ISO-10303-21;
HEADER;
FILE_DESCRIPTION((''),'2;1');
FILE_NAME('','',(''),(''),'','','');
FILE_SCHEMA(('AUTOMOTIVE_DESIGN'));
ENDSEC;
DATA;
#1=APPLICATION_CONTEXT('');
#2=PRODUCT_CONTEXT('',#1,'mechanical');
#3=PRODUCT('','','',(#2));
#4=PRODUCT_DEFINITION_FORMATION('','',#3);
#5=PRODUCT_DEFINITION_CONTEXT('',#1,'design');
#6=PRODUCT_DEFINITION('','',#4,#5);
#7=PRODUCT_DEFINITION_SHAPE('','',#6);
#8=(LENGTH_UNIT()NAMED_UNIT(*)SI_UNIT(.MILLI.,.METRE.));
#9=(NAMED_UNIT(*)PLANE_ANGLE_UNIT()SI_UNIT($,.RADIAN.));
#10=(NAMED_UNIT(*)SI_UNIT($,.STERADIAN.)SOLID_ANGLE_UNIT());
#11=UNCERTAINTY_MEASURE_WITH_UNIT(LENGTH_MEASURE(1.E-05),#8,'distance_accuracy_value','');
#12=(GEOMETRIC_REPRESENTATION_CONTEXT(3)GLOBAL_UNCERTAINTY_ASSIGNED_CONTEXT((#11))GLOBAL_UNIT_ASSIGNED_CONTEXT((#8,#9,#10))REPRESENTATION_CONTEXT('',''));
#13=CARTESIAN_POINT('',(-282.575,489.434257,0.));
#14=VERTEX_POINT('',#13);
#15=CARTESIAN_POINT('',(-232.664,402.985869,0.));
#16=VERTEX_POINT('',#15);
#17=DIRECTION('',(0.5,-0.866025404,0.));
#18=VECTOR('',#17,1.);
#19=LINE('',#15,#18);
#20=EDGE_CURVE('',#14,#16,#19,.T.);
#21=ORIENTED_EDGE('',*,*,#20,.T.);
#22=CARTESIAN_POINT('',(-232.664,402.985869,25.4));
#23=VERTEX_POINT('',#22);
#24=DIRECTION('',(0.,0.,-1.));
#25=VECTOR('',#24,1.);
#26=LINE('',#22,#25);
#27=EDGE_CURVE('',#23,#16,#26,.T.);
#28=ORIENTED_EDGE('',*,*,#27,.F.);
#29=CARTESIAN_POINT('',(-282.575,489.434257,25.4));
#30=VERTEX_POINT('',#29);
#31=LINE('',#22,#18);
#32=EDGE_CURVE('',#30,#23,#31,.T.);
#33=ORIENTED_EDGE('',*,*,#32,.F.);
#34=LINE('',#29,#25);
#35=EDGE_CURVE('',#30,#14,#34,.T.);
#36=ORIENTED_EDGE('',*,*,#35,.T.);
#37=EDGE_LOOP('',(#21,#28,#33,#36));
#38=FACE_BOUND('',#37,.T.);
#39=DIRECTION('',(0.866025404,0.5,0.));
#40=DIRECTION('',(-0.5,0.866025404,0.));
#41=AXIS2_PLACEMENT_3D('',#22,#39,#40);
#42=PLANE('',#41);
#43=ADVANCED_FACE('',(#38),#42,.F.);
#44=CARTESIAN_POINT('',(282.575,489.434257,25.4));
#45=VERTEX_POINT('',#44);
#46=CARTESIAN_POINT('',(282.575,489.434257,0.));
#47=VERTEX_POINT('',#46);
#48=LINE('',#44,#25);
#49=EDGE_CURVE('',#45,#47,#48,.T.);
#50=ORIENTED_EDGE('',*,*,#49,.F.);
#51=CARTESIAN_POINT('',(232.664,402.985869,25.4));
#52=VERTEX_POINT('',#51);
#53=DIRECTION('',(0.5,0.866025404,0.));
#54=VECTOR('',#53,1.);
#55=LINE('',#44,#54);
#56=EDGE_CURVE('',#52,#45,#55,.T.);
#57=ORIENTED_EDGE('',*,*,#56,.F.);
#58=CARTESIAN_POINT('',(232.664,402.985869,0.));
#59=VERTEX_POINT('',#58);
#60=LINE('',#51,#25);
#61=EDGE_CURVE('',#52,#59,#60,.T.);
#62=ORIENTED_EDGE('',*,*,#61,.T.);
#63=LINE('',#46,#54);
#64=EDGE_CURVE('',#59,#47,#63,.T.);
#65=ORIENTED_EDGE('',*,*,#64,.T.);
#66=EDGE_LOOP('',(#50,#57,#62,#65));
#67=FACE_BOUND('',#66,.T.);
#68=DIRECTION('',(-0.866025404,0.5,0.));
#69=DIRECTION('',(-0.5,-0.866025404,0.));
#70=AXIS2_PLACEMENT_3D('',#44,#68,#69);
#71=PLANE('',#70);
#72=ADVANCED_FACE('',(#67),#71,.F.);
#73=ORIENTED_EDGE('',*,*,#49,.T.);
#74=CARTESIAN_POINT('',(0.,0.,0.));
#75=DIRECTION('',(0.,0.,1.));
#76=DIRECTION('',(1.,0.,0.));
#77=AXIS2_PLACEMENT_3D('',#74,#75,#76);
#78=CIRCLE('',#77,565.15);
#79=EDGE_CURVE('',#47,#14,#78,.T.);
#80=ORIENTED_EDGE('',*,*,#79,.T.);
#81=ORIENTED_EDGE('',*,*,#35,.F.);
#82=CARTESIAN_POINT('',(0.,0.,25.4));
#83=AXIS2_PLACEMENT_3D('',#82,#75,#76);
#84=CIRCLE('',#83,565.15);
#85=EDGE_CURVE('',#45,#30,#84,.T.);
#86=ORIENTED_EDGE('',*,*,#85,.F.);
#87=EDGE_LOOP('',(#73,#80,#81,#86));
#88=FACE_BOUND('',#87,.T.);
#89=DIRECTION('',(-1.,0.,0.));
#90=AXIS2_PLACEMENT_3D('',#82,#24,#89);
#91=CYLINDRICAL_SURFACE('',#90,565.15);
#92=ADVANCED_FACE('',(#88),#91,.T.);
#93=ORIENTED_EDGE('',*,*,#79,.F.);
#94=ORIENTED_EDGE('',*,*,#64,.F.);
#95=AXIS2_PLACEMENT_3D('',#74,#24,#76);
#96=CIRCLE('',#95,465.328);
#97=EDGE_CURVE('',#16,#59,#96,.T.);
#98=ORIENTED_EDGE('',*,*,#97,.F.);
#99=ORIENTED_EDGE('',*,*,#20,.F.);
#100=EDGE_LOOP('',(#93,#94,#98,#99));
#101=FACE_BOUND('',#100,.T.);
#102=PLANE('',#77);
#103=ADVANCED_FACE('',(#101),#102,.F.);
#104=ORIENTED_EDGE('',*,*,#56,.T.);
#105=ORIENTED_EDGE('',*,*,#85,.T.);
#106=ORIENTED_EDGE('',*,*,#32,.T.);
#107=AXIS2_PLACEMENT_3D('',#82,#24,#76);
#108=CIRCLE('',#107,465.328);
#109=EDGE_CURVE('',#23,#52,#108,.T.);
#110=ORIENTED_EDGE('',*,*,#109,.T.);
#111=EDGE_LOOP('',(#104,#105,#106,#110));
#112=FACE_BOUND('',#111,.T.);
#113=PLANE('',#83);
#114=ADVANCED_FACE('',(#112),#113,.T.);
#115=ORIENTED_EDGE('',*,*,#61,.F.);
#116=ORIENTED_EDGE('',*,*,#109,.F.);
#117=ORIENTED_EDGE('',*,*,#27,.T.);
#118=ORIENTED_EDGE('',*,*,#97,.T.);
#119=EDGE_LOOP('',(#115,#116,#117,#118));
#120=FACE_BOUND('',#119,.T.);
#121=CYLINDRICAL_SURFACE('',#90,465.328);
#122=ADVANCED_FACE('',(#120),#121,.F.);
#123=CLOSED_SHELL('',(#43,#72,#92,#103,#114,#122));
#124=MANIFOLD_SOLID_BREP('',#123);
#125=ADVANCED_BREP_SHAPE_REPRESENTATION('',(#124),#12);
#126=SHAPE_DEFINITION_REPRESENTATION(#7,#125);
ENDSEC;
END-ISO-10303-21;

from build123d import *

# Parameters (mm, degrees)
BOSS_EXTRUDE1_DEPTH = 25.4


with BuildPart() as part:
    # Sketch3 → Boss-Extrude1 (new body)
    with BuildSketch(Plane.XY):
        with BuildLine():
            Line((282.575, 489.434256949), (232.664, 402.985869092))
            ThreePointArc((232.664, 402.985869092), (0, 465.328), (-232.664, 402.985869092))
            Line((-232.664, 402.985869092), (-282.575, 489.434256949))
            ThreePointArc((-282.575, 489.434256949), (0, 565.15), (282.575, 489.434256949))
        make_face()
    extrude(amount=BOSS_EXTRUDE1_DEPTH)


solid = part.part
